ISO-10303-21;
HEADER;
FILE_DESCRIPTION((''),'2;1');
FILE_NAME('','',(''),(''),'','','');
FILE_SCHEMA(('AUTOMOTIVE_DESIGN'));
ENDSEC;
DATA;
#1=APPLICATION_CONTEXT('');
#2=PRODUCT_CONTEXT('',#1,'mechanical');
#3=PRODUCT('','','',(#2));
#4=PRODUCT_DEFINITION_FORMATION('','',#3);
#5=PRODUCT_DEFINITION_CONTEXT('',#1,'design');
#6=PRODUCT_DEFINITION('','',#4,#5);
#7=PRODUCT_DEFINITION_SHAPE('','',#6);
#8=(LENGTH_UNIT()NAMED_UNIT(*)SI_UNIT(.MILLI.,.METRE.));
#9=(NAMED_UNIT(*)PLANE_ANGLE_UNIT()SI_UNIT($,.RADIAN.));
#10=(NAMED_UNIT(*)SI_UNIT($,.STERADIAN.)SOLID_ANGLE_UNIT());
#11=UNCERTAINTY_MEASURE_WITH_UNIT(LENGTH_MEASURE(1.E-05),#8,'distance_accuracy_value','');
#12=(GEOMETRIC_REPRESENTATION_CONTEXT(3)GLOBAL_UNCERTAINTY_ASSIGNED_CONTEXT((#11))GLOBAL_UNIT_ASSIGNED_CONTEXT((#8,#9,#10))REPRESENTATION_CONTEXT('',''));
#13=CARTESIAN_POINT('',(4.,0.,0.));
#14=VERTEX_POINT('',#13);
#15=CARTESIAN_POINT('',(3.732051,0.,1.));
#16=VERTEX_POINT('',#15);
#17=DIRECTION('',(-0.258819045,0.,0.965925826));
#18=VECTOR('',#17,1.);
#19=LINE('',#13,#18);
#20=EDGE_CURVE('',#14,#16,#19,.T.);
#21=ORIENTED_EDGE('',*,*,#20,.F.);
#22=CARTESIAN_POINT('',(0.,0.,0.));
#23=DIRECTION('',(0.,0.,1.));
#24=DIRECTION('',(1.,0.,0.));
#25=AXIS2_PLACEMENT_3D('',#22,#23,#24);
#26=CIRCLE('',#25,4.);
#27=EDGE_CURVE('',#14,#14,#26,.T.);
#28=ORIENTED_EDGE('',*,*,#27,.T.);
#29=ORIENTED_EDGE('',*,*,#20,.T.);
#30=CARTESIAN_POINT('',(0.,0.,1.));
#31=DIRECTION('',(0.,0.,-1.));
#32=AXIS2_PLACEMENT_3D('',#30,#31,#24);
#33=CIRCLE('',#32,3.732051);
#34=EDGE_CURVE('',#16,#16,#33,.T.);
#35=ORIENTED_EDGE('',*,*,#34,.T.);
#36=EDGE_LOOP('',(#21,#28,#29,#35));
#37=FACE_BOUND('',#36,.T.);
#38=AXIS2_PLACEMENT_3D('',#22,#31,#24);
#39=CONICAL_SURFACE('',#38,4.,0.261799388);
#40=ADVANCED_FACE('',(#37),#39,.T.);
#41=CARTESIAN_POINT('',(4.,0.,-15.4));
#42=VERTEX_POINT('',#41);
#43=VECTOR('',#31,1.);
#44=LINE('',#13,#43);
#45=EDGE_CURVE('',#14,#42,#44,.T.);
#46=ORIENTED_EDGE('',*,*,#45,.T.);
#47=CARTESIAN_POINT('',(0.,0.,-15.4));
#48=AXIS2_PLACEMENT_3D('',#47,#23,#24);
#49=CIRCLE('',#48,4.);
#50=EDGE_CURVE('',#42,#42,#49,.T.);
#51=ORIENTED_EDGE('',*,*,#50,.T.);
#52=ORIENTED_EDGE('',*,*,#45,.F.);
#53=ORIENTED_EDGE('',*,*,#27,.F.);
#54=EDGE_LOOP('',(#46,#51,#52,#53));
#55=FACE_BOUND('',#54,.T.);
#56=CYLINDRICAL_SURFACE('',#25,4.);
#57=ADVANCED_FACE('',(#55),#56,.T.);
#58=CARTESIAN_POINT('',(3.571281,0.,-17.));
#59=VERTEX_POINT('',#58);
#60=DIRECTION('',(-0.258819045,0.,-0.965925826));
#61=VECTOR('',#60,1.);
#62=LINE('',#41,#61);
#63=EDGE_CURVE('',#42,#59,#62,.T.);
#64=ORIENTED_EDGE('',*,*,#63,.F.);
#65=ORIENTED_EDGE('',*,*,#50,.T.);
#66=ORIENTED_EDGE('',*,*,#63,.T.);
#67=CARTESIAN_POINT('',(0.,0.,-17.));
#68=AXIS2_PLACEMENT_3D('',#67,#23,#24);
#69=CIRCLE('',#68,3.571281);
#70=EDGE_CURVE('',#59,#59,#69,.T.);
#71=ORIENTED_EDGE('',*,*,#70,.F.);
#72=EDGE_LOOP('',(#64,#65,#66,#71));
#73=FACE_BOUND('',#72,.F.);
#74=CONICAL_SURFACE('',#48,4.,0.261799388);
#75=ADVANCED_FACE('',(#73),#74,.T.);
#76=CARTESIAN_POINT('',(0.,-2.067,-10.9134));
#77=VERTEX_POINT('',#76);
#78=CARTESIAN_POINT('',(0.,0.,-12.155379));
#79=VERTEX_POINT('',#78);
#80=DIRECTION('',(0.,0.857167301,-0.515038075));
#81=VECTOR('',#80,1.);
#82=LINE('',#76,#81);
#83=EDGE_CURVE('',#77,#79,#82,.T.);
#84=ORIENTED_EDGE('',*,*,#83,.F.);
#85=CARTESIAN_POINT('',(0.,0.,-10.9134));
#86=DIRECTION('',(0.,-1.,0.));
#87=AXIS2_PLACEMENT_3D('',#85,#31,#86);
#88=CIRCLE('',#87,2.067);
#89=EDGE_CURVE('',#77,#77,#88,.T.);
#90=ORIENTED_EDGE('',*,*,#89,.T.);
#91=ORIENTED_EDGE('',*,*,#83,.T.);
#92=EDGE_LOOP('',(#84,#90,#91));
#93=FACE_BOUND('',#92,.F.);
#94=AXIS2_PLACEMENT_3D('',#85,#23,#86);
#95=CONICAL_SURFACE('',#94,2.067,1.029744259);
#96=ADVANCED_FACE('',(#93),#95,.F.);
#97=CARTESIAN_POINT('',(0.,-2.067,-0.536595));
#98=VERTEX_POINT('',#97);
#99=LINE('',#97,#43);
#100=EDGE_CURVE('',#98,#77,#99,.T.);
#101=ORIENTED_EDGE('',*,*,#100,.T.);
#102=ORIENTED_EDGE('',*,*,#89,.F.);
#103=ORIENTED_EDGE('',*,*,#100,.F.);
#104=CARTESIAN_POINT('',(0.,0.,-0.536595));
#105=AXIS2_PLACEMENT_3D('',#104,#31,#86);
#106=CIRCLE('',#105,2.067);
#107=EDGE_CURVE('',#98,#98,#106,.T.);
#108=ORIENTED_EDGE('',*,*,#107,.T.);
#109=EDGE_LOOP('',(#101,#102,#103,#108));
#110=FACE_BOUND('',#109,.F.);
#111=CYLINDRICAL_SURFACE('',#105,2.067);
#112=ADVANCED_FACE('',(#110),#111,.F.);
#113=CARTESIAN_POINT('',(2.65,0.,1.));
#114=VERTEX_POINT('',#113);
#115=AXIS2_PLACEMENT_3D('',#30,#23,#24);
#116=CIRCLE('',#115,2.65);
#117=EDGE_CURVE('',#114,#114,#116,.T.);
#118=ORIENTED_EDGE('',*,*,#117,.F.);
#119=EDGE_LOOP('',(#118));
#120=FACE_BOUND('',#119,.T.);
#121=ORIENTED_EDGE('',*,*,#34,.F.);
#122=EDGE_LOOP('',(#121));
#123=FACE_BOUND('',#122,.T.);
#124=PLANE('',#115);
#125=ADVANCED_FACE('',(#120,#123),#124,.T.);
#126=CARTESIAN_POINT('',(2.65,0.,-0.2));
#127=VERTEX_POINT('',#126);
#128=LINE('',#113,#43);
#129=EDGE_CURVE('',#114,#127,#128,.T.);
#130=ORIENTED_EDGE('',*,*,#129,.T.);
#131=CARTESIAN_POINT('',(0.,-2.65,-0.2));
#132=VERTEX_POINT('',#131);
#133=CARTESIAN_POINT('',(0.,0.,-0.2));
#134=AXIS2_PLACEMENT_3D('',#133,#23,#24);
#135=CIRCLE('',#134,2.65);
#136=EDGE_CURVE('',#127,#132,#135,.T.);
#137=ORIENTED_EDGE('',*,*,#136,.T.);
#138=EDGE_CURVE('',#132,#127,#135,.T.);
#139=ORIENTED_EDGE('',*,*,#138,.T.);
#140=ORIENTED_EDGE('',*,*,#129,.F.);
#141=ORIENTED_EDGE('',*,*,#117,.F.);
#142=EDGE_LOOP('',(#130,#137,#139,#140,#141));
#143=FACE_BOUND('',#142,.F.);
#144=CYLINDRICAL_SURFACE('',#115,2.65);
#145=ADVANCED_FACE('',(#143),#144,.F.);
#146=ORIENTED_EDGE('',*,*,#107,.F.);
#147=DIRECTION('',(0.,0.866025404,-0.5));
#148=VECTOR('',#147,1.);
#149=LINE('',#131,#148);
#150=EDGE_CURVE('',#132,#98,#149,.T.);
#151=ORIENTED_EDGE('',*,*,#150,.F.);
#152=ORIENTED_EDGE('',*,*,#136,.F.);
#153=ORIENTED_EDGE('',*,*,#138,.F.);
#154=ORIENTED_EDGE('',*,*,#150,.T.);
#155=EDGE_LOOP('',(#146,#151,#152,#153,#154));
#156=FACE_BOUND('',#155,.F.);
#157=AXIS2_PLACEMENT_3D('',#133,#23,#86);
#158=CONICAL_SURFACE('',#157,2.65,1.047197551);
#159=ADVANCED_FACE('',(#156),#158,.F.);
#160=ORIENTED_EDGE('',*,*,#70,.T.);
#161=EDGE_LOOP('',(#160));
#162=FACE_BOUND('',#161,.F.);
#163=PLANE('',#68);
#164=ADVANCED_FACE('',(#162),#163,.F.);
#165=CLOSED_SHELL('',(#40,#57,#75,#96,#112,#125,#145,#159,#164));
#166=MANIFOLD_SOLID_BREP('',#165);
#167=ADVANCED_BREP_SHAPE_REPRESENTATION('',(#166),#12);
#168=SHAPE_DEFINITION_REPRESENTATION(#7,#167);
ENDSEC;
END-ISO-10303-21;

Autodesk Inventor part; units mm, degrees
ref_plane "WorkPlane8" through (0, 0, 0) normal (1, 0, 0) x (0, 1, 0)
ref_plane "WorkPlane7" through (0, 0, 0) normal (0, 1, 0) x (-1, 0, 0)
ref_plane "XY Plane" through (0, 0, 0) normal (0, 0, 1) x (1, 0, 0)
sketch "Sketch2" plane through (0, 0, 0) normal (0, 0, 1) x (1, 0, 0)
  circle A0 centre (0, 0) radius 4
  dimension "d1" = 8
extrude "Extrusion1" add sketch "Sketch2" against normal blind 17
chamfer "Chamfer1" distance 1.6 angle 15 1 edges at (-4, 0, -17) measured on face at (3.9482, -0.6416, -11.3333)
sketch "Sketch3" plane through (0, 0, 0) normal (0, 0, 1) x (1, 0, 0)
  circle A0 centre (0, 0) radius 4
  circle A1 centre (0, 0) radius 4 construction
  dimension "d7" = 8
extrude "Extrusion2" add sketch "Sketch3" along normal blind 1 draft -15
sketch "Sketch4" plane through (0, 0, 1) normal (0, 0, 1) x (1, 0, 0)
  circle A0 centre (0, 0) radius 2.65
  circle A1 centre (0, 0) radius 3.7321 construction
  dimension "d13" = 5.3
extrude "Extrusion3" cut sketch "Sketch4" against normal blind 1.2
sketch "Sketch5" plane through (0, 0, -0.2) normal (0, 0, 1) x (1, 0, 0)
  circle A0 centre (0, 0) radius 2.65 projected
hole "Hole1" at (0, 0, -0.2) direction (0, 0, -1) diameter 4.134 depth 10.7134 tip angle 118 countersink diameter 5.3 countersink angle 120 thread size "M5x0.8" class "6H" standard "ISO Metric profile"
equation "\"d4\" = c2"
equation "\"d30\" = c2"
equation "\"d2\" = -c1 + NLG"
equation "\"d7\" = Diam1"
equation "\"d8\" = c1"
equation "\"d13\" = Diam3"
equation "\"d14\" = t3"
equation "\"d19\" = -t3 + t1 + 0.288675 * Diam2 - 0.288675 * Diam3"
equation "\"d20\" = Diam3"
equation "\"d23\" = -t3 + t2 + 0.288675 * Diam2 - 0.288675 * Diam3"
equation "\"d1\" = Diam1"
equation "\"Diam1\" = 8"
equation "\"Diam2\" = 5"
equation "\"Diam3\" = 5.3"
equation "\"t1\" = 8"
equation "\"t2\" = 12"
equation "\"t3\" = 1.2"
equation "\"NLG\" = 18"
equation "\"c1\" = 1"
equation "\"c2\" = 1.6"
equation "\"P\" = 1"
equation "\"THREADDIA\" = Diam2"
equation "\"PTC\" = 0.8"
properties part number "CSN EN ISO 8733 - 8x18-St" material "Stainless Steel, Austenitic"
